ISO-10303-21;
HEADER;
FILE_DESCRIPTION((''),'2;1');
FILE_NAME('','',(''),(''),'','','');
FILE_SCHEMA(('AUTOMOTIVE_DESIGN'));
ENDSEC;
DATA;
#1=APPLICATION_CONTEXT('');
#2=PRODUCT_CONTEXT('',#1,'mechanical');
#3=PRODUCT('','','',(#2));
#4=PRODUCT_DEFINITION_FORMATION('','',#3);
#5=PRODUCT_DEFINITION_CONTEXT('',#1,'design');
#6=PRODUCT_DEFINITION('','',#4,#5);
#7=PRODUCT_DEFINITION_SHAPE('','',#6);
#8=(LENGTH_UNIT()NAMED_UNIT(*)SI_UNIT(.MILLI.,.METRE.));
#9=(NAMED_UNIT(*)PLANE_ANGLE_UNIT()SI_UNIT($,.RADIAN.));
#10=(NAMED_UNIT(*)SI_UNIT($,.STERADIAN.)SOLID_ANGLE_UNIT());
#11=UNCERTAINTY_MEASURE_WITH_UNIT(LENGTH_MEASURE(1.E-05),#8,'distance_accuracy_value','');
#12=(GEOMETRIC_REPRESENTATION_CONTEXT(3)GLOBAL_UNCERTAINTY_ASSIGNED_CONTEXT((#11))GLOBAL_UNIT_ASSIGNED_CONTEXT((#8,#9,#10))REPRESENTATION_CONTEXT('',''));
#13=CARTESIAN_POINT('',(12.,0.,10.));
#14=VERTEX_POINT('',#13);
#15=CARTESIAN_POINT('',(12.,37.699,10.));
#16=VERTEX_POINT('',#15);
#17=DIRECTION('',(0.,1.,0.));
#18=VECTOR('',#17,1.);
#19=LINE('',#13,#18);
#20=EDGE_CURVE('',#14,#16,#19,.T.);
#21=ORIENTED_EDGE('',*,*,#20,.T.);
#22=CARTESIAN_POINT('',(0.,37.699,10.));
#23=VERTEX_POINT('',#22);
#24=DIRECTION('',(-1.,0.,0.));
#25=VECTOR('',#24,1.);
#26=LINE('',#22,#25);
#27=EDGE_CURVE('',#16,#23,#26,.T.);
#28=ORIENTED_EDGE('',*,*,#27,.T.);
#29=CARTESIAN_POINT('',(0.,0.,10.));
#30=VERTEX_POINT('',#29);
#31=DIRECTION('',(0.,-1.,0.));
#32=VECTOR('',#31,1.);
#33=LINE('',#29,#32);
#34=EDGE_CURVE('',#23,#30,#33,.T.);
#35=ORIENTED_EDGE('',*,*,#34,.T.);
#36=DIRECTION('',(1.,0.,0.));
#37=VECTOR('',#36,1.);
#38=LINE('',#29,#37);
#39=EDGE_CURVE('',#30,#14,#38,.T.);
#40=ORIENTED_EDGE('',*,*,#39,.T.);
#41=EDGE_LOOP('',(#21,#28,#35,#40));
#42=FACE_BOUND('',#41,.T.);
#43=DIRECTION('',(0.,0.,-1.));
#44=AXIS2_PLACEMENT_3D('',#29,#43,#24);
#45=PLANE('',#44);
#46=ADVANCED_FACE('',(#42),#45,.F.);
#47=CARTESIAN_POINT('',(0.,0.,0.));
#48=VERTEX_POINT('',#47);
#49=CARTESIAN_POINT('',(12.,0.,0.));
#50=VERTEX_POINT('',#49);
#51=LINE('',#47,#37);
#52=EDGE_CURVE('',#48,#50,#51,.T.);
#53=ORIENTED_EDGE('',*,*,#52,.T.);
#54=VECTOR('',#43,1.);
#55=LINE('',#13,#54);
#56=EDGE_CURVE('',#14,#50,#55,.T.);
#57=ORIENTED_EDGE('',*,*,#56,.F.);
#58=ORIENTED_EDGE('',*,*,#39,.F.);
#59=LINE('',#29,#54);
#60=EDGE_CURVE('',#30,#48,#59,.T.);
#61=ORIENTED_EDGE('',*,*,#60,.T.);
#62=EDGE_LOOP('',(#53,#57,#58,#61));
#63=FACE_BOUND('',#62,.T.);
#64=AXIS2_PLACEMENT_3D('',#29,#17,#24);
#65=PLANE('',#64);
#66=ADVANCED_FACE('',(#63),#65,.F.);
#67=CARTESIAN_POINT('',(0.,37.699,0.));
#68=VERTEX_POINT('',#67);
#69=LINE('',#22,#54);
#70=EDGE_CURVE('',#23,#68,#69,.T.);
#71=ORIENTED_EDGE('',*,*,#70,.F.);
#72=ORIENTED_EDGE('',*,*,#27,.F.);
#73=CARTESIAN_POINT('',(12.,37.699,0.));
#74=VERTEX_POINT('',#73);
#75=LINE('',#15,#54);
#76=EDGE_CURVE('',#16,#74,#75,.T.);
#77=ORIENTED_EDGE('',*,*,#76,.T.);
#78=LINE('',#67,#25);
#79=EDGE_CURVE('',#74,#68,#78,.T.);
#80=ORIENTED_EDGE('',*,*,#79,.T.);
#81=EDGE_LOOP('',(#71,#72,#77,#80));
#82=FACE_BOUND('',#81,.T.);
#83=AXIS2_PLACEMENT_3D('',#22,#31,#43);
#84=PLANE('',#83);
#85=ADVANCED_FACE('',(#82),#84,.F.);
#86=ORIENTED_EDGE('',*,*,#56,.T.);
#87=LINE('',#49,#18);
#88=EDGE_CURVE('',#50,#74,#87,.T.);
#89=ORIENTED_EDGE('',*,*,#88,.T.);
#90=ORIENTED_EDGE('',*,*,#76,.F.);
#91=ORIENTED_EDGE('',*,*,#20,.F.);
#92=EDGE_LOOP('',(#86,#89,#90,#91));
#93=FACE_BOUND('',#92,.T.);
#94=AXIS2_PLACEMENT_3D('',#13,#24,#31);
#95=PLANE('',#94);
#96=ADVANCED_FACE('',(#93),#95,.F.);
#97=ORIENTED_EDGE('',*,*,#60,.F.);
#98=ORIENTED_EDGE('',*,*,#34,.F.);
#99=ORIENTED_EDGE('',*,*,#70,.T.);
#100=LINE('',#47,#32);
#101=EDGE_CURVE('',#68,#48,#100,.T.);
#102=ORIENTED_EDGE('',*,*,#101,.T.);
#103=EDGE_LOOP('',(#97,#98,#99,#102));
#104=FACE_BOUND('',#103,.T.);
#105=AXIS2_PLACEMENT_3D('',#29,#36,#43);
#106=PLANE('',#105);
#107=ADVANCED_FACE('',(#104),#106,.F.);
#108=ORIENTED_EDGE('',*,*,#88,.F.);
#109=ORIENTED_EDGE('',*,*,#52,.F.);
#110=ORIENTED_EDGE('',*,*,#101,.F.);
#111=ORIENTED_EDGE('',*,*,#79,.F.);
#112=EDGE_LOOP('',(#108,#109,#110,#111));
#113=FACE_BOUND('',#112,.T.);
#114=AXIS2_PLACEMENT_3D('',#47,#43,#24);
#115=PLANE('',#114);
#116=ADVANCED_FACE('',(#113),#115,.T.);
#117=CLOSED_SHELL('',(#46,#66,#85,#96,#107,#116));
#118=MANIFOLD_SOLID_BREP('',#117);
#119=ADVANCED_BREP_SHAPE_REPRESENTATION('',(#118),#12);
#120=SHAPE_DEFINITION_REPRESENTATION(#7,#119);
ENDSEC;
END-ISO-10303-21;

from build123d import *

# Parameters (mm, degrees)
SCHIZZO1_W                   = 12
SCHIZZO1_H                   = 37.699
ESTRUSIONE_ESTRUSIONE1_DEPTH = 10


with BuildPart() as part:
    # Schizzo1 → Estrusione-Estrusione1 (new body)
    with BuildSketch(Plane.XY):
        with Locations((6, 18.8495)):
            Rectangle(SCHIZZO1_W, SCHIZZO1_H)
    extrude(amount=ESTRUSIONE_ESTRUSIONE1_DEPTH)


solid = part.part
